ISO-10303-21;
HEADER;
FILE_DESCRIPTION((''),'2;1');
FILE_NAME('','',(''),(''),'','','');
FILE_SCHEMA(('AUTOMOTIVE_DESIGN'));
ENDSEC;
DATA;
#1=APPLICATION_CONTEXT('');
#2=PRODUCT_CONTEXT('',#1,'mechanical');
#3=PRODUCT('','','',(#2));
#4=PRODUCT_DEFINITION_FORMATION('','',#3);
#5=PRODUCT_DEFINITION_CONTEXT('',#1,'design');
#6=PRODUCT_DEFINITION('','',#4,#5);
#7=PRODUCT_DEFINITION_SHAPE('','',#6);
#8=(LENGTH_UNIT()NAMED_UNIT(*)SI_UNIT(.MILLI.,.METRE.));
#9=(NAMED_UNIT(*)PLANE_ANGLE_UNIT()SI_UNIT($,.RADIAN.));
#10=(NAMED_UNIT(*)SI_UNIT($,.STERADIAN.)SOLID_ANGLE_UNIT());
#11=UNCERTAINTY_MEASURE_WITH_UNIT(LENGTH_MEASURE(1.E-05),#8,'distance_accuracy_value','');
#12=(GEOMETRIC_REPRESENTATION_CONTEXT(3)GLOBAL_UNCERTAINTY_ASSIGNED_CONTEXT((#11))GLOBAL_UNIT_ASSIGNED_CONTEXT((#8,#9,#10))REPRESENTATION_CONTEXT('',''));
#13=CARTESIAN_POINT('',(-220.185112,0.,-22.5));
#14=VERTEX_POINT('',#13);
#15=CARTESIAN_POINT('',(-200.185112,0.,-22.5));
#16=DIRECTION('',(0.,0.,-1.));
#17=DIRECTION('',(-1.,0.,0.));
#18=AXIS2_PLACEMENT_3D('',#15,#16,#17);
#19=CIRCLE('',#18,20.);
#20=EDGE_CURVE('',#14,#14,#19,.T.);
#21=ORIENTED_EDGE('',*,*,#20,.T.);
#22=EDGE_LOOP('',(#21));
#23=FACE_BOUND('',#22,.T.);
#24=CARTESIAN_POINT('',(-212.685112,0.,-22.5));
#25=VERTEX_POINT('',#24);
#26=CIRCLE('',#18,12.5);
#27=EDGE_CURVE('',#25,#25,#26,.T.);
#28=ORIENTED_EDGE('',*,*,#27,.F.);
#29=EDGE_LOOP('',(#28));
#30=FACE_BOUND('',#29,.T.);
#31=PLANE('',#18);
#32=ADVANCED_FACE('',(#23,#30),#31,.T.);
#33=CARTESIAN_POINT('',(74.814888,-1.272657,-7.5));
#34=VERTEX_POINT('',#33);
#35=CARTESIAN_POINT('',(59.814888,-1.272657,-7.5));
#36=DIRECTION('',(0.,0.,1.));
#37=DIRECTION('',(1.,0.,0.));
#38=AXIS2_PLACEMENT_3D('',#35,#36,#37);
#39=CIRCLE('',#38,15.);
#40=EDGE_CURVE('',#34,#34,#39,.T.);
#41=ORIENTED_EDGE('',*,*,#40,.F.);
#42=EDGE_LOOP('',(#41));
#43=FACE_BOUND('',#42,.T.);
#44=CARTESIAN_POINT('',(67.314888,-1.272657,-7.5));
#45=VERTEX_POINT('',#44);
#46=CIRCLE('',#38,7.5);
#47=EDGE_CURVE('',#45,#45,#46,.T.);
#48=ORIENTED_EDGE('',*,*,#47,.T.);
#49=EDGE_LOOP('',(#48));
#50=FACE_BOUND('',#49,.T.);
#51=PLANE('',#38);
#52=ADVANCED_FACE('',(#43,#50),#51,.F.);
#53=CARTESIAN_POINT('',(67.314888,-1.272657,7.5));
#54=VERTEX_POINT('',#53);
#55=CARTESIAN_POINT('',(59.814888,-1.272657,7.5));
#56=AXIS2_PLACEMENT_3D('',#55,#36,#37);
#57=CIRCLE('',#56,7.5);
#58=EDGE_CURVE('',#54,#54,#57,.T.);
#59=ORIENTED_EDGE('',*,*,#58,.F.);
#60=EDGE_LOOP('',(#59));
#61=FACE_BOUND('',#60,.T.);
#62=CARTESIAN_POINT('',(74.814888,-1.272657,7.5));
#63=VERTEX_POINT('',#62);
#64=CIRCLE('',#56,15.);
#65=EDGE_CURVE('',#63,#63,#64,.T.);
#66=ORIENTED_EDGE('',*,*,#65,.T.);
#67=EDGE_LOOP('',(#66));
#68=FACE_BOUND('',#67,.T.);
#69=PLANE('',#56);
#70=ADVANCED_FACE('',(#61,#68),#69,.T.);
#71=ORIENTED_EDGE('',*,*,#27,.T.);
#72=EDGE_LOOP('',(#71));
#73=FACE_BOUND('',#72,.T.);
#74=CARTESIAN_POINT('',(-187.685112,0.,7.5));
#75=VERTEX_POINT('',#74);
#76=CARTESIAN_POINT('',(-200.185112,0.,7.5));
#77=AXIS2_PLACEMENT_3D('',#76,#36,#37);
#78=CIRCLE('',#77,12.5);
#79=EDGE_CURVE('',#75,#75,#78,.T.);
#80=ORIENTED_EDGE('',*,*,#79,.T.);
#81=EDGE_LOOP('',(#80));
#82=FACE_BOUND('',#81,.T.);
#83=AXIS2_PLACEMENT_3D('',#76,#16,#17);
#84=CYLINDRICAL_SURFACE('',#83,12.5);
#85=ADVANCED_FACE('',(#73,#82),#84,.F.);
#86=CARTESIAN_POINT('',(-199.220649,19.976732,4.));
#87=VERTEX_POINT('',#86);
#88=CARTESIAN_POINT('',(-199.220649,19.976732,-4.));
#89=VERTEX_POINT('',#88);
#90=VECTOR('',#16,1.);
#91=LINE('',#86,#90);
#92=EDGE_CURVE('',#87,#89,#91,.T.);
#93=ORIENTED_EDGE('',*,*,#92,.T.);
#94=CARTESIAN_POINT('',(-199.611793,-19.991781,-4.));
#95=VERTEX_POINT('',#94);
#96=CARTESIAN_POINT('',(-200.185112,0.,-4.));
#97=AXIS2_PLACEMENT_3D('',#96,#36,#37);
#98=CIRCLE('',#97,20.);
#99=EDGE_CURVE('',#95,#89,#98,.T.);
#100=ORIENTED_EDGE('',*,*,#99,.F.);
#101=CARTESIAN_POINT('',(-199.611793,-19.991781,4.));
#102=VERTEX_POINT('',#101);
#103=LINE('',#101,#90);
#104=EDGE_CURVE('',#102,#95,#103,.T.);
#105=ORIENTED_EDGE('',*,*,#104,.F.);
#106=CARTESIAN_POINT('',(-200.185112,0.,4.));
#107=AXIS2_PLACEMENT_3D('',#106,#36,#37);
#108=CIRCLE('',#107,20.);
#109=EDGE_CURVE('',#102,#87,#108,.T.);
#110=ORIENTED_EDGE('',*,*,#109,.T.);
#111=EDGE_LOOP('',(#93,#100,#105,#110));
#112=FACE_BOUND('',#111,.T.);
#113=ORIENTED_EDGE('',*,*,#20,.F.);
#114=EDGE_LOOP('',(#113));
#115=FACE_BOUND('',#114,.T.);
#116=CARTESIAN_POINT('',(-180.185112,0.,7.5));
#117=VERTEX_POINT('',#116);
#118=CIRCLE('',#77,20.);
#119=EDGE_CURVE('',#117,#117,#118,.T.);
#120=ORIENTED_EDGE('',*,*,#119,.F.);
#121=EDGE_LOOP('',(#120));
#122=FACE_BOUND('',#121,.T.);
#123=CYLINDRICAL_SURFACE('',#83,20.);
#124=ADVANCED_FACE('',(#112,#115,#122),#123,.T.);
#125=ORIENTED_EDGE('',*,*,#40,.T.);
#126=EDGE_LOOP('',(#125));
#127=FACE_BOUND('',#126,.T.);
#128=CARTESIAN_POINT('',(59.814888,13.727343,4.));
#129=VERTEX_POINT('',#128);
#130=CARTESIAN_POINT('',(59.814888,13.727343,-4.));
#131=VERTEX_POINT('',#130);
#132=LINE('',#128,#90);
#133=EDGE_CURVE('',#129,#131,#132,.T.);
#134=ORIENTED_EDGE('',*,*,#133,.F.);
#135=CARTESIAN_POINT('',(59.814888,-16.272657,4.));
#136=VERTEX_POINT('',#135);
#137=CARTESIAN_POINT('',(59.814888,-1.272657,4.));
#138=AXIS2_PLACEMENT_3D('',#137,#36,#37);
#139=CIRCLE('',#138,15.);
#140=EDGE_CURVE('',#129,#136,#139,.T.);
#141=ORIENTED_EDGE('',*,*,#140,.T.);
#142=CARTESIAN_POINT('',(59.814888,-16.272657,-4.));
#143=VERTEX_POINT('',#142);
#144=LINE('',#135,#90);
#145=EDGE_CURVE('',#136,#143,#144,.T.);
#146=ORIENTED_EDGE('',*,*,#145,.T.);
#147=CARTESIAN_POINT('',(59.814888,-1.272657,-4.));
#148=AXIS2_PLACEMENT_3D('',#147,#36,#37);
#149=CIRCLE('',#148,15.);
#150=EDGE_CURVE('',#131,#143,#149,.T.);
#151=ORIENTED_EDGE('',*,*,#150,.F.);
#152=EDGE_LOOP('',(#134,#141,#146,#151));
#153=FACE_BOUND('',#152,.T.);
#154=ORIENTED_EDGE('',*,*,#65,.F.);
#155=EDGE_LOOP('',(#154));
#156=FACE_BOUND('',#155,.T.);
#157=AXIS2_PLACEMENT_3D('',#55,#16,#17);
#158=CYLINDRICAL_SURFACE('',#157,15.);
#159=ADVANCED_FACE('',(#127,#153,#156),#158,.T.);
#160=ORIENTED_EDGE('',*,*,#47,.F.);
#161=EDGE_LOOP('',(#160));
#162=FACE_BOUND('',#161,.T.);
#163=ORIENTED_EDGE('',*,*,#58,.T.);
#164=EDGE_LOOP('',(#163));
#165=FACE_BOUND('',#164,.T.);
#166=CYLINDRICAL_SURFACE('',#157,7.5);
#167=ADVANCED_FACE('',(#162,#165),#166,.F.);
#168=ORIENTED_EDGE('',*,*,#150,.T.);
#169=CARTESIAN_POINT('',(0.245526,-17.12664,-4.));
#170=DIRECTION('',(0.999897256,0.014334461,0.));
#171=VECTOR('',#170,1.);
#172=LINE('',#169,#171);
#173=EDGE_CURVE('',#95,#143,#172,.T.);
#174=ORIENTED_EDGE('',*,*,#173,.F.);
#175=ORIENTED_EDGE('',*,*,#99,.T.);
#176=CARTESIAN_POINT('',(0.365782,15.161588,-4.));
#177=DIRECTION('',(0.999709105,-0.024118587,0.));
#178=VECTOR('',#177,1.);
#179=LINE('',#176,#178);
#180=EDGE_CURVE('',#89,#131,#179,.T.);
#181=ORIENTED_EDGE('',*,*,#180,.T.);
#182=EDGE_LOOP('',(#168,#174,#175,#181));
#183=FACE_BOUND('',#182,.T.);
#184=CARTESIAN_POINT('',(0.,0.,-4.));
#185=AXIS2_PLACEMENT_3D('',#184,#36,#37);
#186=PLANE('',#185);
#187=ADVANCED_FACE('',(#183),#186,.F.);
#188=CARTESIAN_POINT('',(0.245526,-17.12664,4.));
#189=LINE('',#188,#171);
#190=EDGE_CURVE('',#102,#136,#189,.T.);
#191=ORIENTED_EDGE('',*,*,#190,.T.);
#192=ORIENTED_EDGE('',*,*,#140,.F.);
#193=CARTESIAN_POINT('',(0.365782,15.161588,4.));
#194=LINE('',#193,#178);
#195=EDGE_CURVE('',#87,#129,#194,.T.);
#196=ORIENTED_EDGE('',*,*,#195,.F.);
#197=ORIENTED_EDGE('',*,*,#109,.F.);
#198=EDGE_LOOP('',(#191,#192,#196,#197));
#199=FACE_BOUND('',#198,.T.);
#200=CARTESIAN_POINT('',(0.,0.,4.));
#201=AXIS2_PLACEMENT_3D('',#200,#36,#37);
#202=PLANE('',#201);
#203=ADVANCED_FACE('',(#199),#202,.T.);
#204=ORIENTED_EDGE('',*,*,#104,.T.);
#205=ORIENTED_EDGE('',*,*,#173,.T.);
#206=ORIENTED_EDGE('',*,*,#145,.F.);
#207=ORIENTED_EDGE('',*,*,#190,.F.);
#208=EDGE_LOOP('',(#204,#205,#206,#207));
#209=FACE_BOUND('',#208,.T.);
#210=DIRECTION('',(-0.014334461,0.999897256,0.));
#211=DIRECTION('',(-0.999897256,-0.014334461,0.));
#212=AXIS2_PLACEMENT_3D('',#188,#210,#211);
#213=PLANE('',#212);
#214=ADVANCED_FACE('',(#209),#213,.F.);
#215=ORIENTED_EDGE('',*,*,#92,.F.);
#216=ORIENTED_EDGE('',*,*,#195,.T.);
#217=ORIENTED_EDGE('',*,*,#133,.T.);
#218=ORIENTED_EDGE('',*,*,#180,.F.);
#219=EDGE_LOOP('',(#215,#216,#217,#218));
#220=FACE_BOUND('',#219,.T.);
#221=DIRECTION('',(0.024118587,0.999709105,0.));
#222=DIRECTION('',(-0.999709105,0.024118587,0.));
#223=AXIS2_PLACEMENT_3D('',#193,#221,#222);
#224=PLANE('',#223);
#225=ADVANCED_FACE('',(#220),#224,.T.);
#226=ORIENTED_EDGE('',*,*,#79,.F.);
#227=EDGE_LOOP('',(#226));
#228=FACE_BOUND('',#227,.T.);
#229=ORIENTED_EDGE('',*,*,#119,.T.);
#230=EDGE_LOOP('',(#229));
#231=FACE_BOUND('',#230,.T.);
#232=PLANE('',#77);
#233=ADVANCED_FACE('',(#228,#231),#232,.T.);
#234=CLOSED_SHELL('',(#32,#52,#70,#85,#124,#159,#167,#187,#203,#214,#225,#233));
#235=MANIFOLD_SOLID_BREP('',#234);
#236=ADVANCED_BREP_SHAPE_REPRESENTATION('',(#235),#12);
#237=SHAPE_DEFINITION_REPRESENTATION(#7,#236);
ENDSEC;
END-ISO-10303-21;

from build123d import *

# Parameters (mm, degrees)
BOSS_EXTRUDE1_DEPTH = 4
SKETCH2_R           = 20
SKETCH2_R_2         = 12.5
SKETCH2_R_3         = 15
SKETCH2_R_4         = 7.5
BOSS_EXTRUDE2_DEPTH = 7.5
SKETCH3_R           = 20
SKETCH3_R_2         = 12.5
BOSS_EXTRUDE3_DEPTH = 15


with BuildPart() as part:
    # Sketch1 → Boss-Extrude1 (new, symmetric)
    with BuildSketch(Plane.XY):
        with BuildLine():
            Line((59.81488788, 13.727342811), (-199.220649297, 19.976731751))
            ThreePointArc((-199.220649297, 19.976731751), (-185.706002057, 13.796933419), (-180.18511212, 0))
            ThreePointArc((-180.18511212, 0), (-185.84170962, -13.937962718), (-199.611792592, -19.991780929))
            Line((-199.611792592, -19.991780929), (59.81488788, -16.272657189))
            ThreePointArc((59.81488788, -16.272657189), (44.81488788, -1.272657189), (59.81488788, 13.727342811))
        make_face()
    extrude(amount=BOSS_EXTRUDE1_DEPTH, both=True)

    # Sketch2 → Boss-Extrude2 (add, symmetric)
    # profile 1 of 2: a face of its own
    with BuildSketch(Plane.XY):
        with Locations((-200.18511212, 0)):
            Circle(SKETCH2_R)
        with Locations((-200.18511212, 0)):
            Circle(SKETCH2_R_2, mode=Mode.SUBTRACT)
    # profile 2 of 2: a face of its own
    with BuildSketch(Plane.XY):
        with Locations((59.81488788, -1.272657189)):
            Circle(SKETCH2_R_3)
        with Locations((59.81488788, -1.272657189)):
            Circle(SKETCH2_R_4, mode=Mode.SUBTRACT)
    extrude(amount=BOSS_EXTRUDE2_DEPTH, both=True)

    # Sketch3 → Boss-Extrude3 (add)
    with BuildSketch(Plane(origin=(0, 0, -7.5), x_dir=(-1, 0, 0), z_dir=(0, 0, -1))):
        with Locations((200.18511212, 0)):
            Circle(SKETCH3_R)
        with Locations((200.18511212, 0)):
            Circle(SKETCH3_R_2, mode=Mode.SUBTRACT)
    extrude(amount=BOSS_EXTRUDE3_DEPTH)


solid = part.part
